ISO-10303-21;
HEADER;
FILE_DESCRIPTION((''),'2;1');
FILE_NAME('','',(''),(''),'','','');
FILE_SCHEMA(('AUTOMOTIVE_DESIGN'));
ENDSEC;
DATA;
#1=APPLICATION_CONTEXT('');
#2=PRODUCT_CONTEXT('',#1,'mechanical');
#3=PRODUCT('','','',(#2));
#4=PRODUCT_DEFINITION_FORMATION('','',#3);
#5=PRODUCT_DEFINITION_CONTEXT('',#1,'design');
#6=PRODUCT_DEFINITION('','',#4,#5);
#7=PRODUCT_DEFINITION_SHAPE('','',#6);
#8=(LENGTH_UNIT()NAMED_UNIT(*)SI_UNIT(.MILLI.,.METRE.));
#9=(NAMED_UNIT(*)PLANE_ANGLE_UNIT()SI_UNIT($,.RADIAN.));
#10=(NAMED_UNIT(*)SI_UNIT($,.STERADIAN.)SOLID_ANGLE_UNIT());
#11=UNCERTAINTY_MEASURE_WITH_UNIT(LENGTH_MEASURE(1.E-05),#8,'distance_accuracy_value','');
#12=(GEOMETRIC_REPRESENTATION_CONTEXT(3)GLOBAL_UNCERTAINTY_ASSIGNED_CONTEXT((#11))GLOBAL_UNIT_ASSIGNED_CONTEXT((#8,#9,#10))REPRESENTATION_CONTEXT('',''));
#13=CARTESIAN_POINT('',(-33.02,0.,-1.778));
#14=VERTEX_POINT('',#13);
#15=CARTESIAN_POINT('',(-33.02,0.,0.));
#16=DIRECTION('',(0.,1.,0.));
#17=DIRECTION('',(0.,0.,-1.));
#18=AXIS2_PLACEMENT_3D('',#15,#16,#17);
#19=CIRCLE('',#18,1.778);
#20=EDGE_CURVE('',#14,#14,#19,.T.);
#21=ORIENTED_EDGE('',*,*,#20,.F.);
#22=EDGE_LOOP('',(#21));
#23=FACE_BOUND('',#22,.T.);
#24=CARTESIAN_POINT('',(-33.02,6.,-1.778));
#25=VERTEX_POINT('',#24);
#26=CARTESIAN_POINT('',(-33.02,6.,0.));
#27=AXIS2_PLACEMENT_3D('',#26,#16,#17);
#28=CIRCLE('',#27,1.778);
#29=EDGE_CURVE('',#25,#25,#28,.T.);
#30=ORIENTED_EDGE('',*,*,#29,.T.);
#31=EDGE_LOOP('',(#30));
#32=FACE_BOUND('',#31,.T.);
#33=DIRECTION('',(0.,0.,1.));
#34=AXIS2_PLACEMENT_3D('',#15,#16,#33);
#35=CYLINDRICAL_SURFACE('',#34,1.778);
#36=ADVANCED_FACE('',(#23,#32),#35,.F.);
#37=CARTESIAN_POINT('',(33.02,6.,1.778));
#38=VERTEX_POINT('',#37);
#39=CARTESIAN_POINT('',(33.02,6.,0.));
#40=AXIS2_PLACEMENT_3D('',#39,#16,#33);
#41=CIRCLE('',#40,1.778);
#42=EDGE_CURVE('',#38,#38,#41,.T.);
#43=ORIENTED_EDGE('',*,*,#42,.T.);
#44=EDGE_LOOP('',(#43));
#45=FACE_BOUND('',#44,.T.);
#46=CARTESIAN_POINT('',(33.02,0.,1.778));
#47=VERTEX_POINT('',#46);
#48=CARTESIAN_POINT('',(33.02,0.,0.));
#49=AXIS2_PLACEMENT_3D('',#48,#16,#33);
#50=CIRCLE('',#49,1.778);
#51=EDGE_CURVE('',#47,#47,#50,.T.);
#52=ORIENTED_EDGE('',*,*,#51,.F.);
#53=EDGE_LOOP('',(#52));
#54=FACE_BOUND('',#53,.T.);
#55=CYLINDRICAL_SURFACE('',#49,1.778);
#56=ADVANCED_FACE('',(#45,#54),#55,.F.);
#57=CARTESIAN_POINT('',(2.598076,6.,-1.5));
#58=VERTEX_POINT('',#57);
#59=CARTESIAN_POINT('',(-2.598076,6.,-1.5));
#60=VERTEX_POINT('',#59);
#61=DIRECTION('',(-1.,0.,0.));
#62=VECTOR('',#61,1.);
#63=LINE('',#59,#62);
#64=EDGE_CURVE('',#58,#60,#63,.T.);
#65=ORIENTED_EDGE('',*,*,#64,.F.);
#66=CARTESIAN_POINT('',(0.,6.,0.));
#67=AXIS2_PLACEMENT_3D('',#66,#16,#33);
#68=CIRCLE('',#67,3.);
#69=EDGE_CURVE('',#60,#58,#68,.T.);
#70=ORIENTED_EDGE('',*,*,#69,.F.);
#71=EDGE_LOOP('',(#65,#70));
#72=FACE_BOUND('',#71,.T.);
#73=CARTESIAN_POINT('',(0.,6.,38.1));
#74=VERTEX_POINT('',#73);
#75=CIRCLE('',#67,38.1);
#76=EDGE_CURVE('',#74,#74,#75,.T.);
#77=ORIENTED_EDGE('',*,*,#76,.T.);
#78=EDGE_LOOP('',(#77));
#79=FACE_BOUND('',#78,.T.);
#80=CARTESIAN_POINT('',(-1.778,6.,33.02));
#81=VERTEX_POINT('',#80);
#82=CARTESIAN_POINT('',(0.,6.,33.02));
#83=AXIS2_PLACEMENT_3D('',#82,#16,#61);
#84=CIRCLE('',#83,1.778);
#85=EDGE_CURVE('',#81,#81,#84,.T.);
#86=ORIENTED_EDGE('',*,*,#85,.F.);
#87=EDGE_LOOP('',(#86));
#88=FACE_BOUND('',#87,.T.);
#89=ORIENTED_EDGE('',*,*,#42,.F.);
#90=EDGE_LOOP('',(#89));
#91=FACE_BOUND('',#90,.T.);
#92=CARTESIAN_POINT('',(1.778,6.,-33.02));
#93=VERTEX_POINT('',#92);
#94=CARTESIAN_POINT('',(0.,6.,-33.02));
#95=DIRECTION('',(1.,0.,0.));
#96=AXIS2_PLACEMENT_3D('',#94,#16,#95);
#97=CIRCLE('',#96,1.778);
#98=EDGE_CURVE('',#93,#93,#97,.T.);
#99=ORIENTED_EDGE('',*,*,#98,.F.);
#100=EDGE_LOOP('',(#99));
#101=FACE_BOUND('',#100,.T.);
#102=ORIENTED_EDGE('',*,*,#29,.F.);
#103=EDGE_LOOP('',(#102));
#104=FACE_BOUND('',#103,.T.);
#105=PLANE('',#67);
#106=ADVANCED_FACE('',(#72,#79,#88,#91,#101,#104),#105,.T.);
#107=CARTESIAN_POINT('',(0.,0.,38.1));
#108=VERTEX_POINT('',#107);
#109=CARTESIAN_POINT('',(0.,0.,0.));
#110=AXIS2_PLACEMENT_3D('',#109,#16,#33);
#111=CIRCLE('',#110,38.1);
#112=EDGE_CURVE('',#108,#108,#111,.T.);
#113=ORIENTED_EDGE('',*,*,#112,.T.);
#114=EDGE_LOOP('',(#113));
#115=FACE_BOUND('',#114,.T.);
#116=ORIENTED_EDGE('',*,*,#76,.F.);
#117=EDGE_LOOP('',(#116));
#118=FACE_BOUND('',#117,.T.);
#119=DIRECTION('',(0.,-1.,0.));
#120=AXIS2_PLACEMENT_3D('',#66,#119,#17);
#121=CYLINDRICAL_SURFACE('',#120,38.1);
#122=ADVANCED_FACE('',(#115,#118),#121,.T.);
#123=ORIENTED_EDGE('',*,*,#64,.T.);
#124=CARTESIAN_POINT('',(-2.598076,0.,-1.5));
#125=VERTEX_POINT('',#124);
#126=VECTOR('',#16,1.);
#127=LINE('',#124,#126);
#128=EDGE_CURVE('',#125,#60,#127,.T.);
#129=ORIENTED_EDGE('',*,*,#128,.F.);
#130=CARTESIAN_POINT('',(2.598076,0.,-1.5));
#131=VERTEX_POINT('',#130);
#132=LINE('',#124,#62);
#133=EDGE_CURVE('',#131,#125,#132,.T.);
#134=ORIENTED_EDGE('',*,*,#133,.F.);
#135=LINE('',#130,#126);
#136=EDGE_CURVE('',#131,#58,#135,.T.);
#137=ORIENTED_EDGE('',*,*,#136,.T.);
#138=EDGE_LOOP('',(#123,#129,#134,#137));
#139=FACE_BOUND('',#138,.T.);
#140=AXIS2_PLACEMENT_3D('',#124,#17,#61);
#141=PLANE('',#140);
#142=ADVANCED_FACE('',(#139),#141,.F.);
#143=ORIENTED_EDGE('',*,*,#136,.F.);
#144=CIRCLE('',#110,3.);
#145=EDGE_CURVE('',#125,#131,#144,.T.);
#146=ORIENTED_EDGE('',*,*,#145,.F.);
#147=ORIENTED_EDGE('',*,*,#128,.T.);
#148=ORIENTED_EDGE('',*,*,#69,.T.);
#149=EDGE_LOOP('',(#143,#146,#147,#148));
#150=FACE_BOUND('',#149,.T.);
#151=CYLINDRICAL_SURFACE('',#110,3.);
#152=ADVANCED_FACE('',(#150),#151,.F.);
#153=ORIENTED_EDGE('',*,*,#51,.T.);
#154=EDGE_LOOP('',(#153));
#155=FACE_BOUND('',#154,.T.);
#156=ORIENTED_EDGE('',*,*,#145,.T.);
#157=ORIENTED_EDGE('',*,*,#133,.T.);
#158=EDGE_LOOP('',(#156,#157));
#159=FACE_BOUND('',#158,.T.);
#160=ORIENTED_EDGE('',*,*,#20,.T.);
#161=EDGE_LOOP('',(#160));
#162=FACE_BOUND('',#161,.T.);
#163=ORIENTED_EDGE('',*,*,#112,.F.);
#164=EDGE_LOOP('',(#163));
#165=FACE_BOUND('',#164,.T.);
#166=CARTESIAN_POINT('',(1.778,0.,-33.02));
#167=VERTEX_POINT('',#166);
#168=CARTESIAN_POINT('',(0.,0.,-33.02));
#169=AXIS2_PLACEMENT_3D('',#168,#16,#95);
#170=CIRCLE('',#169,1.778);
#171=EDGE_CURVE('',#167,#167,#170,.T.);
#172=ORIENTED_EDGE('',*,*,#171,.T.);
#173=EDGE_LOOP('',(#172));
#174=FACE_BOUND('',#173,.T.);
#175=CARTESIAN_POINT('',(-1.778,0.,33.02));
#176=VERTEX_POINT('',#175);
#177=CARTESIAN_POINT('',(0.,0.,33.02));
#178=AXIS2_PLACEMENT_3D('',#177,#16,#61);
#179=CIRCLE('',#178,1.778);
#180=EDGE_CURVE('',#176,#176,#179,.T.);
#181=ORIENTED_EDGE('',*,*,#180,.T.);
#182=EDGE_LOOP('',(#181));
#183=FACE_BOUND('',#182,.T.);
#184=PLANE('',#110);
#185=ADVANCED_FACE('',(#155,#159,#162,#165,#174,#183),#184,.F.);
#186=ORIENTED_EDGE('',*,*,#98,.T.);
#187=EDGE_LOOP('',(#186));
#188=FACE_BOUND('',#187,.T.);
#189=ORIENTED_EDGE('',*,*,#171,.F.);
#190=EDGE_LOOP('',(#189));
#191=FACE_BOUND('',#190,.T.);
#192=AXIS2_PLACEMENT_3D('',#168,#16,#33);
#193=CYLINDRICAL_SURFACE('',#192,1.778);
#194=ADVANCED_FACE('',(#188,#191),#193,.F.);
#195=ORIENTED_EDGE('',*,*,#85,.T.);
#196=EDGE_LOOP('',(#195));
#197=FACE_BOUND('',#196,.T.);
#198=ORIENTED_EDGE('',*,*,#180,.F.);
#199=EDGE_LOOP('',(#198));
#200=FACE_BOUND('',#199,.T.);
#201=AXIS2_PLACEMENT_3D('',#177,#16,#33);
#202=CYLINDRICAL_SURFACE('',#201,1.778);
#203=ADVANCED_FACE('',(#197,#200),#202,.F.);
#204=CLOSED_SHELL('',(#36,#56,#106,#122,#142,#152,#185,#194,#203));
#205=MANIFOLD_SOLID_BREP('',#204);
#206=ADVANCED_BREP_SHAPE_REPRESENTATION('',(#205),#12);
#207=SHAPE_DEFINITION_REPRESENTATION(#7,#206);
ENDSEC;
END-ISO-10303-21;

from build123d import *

# Parameters (mm, degrees)
SKETCH1_R           = 38.1
BOSS_EXTRUDE1_DEPTH = 6
SKETCH3_R           = 1.778
CUT_EXTRUDE1_DEPTH  = 55.214573686
CIRPATTERN1_COUNT   = 4
CUT_EXTRUDE2_DEPTH  = 55.214573686


with BuildPart() as part:
    # Sketch1 → Boss-Extrude1 (new body)
    with BuildSketch(Plane(origin=(0, 0, 0), x_dir=(1, 0, 0), z_dir=(0, 1, 0))):
        with Locations(Location((0, 0, 0), (0, 0, 270))):
            Circle(SKETCH1_R)
    extrude(amount=BOSS_EXTRUDE1_DEPTH)

    # Sketch3 → Cut-Extrude1 (cut, through all)
    with BuildSketch(Plane(origin=(0, 6, 0), x_dir=(1, 0, 0), z_dir=(0, 1, 0))):
        with Locations(Location((33.02, 0, 0), (0, 0, 270))):
            Circle(SKETCH3_R)
    cut_extrude1 = extrude(amount=-CUT_EXTRUDE1_DEPTH, mode=Mode.SUBTRACT)

    # CirPattern1: Cut-Extrude1 ×4 about axis
    cirpattern1_axis = Axis((0, 0, 0), (0, 1, 0))
    for i in range(1, CIRPATTERN1_COUNT):
        add(cut_extrude1.rotate(cirpattern1_axis, i * 360 / CIRPATTERN1_COUNT), mode=Mode.SUBTRACT)

    # Sketch4 → Cut-Extrude2 (cut, through all)
    with BuildSketch(Plane(origin=(0, 6, 0), x_dir=(1, 0, 0), z_dir=(0, 1, 0))):
        with BuildLine():
            Line((-2.598076211, 1.5), (2.598076211, 1.5))
            ThreePointArc((2.598076211, 1.5), (0, -3), (-2.598076211, 1.5))
        make_face()
    extrude(amount=-CUT_EXTRUDE2_DEPTH, mode=Mode.SUBTRACT)


solid = part.part
